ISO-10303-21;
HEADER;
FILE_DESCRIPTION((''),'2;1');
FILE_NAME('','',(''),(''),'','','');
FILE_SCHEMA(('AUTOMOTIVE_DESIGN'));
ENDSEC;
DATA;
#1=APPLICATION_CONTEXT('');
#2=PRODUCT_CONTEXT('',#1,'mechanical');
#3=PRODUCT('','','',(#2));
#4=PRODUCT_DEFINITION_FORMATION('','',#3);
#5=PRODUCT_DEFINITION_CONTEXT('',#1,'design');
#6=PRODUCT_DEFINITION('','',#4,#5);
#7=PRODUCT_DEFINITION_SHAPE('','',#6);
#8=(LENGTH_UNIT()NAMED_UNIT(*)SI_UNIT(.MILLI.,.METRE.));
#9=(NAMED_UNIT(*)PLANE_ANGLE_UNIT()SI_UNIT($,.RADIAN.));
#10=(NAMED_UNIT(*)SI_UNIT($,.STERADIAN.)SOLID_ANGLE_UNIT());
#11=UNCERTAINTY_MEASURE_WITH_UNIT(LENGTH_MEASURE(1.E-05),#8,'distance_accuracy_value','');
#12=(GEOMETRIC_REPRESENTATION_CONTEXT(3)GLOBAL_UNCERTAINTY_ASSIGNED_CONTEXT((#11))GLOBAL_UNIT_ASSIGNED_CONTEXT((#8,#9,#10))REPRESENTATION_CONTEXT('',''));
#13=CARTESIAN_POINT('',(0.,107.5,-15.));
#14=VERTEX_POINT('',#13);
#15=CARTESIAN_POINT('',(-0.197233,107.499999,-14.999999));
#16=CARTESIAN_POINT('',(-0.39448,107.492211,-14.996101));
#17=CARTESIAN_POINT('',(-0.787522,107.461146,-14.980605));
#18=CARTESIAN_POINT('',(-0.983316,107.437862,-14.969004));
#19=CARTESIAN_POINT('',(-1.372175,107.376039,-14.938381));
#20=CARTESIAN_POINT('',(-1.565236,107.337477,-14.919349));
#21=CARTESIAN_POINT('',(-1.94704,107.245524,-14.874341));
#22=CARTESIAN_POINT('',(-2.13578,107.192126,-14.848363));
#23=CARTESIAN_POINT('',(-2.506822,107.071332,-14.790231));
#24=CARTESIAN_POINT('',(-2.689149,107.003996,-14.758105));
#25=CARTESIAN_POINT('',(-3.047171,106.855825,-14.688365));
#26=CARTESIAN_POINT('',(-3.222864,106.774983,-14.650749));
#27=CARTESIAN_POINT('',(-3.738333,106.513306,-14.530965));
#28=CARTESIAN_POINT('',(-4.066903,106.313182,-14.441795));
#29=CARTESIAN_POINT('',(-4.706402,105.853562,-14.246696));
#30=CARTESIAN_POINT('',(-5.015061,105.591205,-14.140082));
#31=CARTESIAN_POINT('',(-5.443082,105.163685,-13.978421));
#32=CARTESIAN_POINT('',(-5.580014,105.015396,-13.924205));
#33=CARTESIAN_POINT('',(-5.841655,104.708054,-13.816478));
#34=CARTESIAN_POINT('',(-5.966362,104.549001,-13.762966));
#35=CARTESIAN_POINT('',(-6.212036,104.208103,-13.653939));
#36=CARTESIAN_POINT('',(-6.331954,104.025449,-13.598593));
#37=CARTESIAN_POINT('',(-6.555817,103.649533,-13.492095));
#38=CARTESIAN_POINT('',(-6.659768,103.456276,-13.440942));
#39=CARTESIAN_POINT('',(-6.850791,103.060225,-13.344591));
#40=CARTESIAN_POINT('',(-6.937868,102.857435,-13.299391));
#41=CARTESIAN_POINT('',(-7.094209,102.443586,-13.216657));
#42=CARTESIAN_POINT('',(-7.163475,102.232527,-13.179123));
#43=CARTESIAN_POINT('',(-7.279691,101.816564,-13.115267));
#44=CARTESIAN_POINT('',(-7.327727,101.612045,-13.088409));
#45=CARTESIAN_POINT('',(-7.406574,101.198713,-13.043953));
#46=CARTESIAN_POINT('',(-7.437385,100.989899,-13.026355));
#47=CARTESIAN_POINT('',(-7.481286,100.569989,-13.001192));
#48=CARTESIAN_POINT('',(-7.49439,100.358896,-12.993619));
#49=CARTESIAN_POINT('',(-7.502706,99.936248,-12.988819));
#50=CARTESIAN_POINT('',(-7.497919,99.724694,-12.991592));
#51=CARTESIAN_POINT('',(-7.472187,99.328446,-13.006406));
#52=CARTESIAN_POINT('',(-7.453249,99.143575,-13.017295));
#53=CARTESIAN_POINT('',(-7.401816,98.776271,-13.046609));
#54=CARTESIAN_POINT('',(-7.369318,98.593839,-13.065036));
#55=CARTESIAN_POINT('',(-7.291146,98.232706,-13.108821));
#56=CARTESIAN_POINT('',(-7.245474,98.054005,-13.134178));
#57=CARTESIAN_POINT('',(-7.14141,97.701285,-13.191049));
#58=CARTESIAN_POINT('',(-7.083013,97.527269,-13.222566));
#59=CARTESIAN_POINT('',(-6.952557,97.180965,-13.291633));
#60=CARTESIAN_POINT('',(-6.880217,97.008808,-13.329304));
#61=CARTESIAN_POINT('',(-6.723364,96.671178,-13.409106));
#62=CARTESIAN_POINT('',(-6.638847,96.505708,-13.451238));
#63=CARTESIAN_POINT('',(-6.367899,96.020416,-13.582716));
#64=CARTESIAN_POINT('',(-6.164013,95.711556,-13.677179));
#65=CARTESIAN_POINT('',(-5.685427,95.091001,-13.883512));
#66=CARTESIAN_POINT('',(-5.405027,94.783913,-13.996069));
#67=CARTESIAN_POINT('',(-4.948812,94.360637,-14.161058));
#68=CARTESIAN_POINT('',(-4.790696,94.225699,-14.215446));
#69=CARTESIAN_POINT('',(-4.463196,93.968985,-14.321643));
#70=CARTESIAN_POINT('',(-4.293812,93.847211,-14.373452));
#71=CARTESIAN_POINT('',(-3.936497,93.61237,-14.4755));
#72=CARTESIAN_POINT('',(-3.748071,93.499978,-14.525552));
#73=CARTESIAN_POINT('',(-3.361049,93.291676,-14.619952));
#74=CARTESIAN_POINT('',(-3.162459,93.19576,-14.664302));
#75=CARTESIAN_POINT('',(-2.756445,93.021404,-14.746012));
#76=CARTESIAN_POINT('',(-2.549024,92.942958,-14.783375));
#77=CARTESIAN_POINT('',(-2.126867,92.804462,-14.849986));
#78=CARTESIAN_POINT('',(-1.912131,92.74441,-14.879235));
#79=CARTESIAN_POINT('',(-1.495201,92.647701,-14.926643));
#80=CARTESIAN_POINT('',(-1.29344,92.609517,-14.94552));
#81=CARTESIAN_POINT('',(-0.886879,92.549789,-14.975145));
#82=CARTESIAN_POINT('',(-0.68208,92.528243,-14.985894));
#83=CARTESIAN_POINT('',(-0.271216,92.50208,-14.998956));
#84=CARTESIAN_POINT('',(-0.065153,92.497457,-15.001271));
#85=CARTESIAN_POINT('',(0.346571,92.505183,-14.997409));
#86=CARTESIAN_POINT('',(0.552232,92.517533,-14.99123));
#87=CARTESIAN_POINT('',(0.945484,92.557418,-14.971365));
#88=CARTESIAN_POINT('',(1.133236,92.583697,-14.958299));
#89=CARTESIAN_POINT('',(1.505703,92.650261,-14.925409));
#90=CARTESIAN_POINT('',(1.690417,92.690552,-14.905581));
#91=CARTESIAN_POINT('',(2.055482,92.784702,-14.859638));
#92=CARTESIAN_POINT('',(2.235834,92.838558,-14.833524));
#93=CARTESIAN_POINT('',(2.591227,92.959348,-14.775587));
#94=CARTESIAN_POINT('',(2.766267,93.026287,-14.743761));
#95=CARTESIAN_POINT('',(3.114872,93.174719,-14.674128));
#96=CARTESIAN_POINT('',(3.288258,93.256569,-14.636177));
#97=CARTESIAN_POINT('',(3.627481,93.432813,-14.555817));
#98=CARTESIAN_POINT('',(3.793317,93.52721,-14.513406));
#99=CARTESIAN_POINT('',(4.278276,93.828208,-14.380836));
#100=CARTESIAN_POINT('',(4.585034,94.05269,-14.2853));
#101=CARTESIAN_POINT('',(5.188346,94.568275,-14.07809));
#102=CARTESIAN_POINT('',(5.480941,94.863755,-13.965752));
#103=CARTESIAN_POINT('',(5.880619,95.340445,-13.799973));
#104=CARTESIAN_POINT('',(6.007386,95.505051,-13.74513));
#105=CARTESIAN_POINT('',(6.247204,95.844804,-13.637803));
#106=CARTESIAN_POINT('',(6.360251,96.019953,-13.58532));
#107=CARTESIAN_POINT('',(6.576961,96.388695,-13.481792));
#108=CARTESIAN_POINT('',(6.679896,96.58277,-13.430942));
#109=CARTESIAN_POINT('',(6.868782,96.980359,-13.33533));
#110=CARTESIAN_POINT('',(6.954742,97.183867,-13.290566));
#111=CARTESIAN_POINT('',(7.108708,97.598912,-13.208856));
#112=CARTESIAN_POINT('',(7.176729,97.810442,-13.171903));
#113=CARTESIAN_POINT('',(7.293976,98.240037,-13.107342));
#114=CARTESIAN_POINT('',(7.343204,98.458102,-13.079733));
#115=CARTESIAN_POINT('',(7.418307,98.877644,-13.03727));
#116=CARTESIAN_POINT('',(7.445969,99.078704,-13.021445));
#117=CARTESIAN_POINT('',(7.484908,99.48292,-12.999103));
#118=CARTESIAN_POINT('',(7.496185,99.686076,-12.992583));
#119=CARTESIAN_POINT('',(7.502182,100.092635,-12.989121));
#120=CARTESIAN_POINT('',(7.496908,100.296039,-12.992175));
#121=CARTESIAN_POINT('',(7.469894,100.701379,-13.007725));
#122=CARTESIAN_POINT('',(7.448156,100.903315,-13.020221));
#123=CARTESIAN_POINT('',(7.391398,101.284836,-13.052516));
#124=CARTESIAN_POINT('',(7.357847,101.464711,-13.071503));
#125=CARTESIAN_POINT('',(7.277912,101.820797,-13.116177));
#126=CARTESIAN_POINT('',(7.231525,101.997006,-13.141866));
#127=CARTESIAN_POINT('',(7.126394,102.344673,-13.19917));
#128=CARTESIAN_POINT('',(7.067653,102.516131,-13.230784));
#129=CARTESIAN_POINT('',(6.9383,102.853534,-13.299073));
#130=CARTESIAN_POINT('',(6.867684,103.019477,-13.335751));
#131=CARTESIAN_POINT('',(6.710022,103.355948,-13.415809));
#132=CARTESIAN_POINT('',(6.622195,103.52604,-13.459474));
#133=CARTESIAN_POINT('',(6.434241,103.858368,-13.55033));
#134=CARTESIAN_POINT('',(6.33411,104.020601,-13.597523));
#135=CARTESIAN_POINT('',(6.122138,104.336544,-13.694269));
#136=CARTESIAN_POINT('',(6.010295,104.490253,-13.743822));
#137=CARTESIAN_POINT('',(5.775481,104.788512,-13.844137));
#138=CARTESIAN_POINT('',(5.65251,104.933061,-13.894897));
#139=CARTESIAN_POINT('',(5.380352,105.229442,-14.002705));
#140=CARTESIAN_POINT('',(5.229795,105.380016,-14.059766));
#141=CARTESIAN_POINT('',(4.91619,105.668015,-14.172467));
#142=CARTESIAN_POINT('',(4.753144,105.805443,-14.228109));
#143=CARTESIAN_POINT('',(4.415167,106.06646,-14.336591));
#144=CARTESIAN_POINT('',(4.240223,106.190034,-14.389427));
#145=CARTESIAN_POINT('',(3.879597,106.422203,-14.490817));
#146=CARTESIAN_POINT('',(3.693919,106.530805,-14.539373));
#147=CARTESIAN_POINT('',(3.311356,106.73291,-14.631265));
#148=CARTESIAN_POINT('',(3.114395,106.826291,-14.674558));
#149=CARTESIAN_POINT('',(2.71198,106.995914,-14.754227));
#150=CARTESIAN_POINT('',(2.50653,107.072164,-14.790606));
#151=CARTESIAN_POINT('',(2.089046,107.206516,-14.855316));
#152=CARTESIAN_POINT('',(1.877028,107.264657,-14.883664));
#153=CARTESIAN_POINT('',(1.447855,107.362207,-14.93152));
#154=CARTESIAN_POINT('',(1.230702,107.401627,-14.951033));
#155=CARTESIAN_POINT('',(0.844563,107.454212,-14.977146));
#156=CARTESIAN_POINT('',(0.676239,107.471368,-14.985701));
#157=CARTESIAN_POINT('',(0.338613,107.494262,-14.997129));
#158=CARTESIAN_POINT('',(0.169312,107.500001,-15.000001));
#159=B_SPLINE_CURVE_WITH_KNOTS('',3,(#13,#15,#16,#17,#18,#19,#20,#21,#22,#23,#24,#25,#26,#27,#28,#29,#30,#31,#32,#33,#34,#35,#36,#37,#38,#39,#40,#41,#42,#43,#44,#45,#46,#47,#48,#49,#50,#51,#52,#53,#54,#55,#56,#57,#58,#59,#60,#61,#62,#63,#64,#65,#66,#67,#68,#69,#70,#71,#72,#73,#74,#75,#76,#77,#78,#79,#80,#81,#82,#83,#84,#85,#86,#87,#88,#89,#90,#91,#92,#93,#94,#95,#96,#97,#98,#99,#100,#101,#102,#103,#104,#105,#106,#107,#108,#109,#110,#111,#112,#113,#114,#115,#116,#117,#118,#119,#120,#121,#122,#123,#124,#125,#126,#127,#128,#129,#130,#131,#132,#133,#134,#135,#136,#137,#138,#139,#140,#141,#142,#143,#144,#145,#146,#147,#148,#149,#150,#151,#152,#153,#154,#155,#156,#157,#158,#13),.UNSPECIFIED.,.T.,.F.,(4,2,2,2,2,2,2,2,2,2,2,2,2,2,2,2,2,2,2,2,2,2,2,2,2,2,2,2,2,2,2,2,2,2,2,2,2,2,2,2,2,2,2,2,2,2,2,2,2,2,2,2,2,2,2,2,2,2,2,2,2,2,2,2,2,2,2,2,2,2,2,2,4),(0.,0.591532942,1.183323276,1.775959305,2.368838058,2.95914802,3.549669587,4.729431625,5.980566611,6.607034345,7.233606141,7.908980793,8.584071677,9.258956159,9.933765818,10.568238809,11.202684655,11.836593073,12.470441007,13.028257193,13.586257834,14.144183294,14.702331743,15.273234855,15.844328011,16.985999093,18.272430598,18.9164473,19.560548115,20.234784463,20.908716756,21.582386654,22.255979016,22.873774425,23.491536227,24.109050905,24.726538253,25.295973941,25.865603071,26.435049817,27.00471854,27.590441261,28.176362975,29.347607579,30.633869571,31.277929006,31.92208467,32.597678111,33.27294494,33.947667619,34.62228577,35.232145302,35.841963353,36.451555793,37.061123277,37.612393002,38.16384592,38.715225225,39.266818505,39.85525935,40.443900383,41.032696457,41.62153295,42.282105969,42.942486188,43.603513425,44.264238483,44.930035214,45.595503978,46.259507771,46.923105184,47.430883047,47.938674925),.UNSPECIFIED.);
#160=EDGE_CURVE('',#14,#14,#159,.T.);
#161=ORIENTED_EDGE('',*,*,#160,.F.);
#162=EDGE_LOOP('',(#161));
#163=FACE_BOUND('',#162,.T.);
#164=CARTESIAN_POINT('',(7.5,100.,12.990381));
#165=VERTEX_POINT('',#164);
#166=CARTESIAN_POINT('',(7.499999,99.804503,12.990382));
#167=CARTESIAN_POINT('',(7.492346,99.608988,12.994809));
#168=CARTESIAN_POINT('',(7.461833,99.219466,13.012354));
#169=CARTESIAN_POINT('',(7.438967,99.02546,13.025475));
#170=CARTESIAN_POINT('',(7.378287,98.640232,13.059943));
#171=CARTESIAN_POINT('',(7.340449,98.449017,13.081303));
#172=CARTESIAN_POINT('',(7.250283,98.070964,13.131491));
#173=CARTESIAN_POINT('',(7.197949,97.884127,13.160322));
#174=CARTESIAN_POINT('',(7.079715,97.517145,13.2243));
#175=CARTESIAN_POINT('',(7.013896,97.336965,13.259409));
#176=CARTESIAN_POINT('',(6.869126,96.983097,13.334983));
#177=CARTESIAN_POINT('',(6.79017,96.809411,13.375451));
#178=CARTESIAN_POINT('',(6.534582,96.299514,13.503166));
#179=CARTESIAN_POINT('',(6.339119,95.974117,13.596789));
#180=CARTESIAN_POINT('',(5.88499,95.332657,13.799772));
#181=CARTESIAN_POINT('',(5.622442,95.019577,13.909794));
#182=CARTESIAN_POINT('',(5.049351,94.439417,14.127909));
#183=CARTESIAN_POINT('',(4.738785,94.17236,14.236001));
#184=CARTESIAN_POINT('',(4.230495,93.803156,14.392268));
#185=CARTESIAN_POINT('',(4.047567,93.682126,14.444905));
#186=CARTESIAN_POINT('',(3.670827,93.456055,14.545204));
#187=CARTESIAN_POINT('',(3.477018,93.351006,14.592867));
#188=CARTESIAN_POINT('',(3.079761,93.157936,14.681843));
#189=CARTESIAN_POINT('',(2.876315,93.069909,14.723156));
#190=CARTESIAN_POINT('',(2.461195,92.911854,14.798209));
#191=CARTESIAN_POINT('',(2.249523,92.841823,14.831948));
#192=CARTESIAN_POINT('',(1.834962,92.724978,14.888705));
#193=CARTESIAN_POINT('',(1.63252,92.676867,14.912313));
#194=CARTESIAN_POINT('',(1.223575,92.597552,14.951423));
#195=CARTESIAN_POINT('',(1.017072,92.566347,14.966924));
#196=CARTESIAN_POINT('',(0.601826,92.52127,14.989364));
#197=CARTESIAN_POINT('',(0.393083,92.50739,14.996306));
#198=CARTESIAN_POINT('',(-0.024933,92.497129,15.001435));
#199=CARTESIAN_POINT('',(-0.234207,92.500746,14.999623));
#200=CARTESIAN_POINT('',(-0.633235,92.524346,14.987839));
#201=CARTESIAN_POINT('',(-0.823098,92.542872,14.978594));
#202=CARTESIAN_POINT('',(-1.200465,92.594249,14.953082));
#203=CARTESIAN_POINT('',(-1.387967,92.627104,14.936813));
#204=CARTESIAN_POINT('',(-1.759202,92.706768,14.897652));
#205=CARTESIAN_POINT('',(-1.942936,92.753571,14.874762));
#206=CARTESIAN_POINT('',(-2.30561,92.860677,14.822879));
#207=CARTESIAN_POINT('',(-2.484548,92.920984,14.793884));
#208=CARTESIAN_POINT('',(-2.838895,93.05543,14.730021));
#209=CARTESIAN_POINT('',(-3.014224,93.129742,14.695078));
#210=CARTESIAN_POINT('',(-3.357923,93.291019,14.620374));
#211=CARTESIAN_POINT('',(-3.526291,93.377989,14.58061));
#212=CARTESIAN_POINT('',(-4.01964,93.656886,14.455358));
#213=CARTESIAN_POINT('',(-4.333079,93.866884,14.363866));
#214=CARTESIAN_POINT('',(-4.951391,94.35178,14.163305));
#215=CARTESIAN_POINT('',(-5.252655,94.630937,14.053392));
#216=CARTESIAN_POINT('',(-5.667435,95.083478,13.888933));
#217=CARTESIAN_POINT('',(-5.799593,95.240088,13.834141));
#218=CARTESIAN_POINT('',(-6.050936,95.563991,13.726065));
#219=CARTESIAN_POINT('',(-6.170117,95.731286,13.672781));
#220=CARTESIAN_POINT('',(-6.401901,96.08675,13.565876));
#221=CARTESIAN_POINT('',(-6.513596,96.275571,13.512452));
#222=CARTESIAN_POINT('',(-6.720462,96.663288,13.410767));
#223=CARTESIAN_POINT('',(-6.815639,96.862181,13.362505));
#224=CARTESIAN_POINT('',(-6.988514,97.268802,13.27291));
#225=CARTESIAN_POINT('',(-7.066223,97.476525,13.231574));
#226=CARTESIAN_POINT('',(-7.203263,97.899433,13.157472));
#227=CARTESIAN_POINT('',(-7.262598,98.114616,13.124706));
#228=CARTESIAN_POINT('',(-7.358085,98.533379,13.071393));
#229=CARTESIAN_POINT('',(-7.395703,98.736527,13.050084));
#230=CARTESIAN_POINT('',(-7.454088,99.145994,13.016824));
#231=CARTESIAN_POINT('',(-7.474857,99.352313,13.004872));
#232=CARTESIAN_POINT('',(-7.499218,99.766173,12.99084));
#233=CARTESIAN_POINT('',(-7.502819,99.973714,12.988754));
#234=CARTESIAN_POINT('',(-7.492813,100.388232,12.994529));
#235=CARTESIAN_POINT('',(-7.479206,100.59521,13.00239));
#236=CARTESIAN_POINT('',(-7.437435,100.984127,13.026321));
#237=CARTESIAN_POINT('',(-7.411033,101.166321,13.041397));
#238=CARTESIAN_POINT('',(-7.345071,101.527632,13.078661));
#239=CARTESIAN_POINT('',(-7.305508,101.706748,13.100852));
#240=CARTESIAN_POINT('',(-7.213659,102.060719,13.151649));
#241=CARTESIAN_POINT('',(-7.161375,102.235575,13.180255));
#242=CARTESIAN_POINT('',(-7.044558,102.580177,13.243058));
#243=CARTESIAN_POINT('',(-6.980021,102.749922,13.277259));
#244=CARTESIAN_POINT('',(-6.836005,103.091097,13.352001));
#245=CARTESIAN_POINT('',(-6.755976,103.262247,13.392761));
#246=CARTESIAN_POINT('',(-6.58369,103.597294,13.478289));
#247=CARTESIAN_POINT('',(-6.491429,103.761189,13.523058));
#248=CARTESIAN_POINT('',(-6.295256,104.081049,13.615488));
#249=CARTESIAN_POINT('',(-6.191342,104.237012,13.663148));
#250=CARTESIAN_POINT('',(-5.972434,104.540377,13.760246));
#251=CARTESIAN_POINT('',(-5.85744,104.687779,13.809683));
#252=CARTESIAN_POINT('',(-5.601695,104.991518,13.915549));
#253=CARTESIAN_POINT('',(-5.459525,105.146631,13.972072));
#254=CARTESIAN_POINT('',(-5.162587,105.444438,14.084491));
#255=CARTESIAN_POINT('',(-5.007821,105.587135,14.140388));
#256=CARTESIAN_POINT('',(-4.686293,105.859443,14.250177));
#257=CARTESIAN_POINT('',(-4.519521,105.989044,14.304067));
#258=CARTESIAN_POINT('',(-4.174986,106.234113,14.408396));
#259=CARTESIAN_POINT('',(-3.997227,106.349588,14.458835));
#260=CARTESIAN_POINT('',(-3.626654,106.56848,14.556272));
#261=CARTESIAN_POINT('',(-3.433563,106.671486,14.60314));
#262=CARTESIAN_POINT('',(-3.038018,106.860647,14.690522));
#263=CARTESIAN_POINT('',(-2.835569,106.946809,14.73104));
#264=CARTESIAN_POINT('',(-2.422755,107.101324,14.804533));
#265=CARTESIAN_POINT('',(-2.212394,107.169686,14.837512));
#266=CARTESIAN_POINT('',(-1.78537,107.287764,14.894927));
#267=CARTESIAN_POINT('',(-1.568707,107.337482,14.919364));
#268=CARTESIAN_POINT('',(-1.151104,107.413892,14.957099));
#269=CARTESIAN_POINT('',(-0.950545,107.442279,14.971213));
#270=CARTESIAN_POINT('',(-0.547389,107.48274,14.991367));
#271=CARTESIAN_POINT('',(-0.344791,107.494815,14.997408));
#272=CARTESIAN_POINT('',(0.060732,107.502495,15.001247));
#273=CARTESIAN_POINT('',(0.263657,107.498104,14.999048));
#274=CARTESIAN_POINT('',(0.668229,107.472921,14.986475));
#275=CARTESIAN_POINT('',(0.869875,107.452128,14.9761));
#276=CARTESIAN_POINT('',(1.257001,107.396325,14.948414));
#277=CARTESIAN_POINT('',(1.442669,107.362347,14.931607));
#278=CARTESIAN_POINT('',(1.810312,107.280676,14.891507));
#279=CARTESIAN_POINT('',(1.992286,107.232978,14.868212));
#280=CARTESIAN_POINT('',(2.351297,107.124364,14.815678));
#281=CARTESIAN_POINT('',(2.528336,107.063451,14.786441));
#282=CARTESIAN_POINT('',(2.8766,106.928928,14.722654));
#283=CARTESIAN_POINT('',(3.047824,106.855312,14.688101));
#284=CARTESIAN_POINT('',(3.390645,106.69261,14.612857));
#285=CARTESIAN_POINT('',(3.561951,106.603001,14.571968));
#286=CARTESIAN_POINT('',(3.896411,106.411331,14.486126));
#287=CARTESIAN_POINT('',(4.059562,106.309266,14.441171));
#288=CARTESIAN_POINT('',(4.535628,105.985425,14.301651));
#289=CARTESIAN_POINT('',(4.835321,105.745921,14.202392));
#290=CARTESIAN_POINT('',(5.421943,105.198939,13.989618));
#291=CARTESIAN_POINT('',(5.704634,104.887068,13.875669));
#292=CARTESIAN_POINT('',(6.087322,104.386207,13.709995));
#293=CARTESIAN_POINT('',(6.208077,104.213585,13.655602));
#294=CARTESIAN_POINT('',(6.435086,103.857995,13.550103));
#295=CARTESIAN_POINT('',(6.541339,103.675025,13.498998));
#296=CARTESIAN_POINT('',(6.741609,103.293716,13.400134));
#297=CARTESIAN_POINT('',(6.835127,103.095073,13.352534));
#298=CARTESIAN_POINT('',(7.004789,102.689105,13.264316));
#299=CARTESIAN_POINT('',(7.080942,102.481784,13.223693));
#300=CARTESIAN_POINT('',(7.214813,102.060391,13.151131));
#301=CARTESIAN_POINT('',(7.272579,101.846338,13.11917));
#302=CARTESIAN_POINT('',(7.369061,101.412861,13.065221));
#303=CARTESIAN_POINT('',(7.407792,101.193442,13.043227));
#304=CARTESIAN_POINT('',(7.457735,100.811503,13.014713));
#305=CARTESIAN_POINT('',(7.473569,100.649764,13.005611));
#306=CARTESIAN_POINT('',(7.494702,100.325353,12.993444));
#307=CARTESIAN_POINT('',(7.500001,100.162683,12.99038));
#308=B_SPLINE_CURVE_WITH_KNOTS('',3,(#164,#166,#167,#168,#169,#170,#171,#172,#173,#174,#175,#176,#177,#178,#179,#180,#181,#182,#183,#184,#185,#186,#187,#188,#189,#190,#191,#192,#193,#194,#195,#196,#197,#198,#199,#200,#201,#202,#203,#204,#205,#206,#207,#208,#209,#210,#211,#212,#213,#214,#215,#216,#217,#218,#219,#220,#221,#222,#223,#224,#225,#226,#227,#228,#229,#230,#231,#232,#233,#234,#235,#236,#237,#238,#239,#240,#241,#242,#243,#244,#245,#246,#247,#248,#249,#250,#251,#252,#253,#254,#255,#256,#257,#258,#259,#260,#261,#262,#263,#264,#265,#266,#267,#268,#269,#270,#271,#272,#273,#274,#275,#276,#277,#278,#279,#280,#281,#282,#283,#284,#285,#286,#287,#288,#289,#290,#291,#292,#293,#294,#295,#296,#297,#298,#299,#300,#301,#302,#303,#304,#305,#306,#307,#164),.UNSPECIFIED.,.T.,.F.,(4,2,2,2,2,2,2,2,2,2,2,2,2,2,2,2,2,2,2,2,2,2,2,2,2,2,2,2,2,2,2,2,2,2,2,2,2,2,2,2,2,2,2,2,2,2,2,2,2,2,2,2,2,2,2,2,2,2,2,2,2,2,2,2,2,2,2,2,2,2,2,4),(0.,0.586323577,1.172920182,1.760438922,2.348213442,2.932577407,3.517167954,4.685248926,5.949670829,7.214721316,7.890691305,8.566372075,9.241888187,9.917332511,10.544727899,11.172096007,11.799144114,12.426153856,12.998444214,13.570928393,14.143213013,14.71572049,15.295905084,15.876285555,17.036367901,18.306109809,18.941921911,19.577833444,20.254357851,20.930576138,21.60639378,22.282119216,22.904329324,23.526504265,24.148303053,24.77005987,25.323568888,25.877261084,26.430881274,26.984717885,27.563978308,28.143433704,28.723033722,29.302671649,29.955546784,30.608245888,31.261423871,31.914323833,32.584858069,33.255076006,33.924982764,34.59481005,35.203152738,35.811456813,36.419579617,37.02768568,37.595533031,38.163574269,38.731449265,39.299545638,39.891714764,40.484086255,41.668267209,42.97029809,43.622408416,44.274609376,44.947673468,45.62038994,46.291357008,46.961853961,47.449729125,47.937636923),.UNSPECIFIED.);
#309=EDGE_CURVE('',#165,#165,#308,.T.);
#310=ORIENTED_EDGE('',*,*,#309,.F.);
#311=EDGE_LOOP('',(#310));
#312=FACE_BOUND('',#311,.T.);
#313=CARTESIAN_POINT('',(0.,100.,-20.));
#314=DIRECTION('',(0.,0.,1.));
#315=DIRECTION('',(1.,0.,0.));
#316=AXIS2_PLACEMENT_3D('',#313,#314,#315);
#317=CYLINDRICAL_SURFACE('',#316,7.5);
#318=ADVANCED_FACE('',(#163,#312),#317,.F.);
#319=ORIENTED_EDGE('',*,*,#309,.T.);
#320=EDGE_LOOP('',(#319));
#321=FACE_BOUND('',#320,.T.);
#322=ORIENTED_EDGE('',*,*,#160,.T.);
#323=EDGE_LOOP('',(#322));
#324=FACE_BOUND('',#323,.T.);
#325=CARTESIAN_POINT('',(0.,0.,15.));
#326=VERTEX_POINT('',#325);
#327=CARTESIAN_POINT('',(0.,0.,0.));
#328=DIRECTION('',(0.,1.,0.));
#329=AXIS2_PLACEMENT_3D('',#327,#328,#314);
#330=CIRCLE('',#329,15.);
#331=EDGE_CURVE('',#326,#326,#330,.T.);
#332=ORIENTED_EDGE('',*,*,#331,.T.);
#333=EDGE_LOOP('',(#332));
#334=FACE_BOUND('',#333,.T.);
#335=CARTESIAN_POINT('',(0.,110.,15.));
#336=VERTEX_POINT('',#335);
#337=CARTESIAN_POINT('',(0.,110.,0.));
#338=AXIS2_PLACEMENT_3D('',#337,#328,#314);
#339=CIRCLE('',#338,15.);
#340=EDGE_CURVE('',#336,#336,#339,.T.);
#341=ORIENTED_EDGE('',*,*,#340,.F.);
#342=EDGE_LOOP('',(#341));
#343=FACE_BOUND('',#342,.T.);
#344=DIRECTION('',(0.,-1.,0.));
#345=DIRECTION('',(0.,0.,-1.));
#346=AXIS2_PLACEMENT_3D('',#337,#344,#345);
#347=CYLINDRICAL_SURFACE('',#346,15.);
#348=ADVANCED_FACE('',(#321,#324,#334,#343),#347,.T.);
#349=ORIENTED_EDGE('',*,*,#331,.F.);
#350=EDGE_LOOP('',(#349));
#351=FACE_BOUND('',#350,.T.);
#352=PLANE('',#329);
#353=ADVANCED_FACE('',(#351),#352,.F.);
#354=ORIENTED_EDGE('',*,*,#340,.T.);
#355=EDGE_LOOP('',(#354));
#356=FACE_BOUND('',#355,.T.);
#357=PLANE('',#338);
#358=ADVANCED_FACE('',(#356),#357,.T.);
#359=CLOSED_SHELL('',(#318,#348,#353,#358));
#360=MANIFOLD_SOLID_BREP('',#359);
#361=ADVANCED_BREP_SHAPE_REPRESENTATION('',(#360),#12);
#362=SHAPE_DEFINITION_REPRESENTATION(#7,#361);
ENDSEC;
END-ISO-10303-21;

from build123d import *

# Parameters (mm, degrees)
SKETCH1_R           = 15
BOSS_EXTRUDE1_DEPTH = 110
SKETCH2_R           = 7.5
CUT_EXTRUDE1_DEPTH  = 40


with BuildPart() as part:
    # Sketch1 → Boss-Extrude1 (new body)
    with BuildSketch(Plane(origin=(0, 0, 0), x_dir=(1, 0, 0), z_dir=(0, 1, 0))):
        with Locations(Location((0, 0, 0), (0, 0, 270))):
            Circle(SKETCH1_R)
    extrude(amount=BOSS_EXTRUDE1_DEPTH)

    # Sketch2 → Cut-Extrude1 (cut)
    with BuildSketch(Plane.XY.offset(20)):
        with Locations(Location((0, 100, 0), (0, 0, 90.000000014))):
            Circle(SKETCH2_R)
    extrude(amount=-CUT_EXTRUDE1_DEPTH, mode=Mode.SUBTRACT)


solid = part.part
